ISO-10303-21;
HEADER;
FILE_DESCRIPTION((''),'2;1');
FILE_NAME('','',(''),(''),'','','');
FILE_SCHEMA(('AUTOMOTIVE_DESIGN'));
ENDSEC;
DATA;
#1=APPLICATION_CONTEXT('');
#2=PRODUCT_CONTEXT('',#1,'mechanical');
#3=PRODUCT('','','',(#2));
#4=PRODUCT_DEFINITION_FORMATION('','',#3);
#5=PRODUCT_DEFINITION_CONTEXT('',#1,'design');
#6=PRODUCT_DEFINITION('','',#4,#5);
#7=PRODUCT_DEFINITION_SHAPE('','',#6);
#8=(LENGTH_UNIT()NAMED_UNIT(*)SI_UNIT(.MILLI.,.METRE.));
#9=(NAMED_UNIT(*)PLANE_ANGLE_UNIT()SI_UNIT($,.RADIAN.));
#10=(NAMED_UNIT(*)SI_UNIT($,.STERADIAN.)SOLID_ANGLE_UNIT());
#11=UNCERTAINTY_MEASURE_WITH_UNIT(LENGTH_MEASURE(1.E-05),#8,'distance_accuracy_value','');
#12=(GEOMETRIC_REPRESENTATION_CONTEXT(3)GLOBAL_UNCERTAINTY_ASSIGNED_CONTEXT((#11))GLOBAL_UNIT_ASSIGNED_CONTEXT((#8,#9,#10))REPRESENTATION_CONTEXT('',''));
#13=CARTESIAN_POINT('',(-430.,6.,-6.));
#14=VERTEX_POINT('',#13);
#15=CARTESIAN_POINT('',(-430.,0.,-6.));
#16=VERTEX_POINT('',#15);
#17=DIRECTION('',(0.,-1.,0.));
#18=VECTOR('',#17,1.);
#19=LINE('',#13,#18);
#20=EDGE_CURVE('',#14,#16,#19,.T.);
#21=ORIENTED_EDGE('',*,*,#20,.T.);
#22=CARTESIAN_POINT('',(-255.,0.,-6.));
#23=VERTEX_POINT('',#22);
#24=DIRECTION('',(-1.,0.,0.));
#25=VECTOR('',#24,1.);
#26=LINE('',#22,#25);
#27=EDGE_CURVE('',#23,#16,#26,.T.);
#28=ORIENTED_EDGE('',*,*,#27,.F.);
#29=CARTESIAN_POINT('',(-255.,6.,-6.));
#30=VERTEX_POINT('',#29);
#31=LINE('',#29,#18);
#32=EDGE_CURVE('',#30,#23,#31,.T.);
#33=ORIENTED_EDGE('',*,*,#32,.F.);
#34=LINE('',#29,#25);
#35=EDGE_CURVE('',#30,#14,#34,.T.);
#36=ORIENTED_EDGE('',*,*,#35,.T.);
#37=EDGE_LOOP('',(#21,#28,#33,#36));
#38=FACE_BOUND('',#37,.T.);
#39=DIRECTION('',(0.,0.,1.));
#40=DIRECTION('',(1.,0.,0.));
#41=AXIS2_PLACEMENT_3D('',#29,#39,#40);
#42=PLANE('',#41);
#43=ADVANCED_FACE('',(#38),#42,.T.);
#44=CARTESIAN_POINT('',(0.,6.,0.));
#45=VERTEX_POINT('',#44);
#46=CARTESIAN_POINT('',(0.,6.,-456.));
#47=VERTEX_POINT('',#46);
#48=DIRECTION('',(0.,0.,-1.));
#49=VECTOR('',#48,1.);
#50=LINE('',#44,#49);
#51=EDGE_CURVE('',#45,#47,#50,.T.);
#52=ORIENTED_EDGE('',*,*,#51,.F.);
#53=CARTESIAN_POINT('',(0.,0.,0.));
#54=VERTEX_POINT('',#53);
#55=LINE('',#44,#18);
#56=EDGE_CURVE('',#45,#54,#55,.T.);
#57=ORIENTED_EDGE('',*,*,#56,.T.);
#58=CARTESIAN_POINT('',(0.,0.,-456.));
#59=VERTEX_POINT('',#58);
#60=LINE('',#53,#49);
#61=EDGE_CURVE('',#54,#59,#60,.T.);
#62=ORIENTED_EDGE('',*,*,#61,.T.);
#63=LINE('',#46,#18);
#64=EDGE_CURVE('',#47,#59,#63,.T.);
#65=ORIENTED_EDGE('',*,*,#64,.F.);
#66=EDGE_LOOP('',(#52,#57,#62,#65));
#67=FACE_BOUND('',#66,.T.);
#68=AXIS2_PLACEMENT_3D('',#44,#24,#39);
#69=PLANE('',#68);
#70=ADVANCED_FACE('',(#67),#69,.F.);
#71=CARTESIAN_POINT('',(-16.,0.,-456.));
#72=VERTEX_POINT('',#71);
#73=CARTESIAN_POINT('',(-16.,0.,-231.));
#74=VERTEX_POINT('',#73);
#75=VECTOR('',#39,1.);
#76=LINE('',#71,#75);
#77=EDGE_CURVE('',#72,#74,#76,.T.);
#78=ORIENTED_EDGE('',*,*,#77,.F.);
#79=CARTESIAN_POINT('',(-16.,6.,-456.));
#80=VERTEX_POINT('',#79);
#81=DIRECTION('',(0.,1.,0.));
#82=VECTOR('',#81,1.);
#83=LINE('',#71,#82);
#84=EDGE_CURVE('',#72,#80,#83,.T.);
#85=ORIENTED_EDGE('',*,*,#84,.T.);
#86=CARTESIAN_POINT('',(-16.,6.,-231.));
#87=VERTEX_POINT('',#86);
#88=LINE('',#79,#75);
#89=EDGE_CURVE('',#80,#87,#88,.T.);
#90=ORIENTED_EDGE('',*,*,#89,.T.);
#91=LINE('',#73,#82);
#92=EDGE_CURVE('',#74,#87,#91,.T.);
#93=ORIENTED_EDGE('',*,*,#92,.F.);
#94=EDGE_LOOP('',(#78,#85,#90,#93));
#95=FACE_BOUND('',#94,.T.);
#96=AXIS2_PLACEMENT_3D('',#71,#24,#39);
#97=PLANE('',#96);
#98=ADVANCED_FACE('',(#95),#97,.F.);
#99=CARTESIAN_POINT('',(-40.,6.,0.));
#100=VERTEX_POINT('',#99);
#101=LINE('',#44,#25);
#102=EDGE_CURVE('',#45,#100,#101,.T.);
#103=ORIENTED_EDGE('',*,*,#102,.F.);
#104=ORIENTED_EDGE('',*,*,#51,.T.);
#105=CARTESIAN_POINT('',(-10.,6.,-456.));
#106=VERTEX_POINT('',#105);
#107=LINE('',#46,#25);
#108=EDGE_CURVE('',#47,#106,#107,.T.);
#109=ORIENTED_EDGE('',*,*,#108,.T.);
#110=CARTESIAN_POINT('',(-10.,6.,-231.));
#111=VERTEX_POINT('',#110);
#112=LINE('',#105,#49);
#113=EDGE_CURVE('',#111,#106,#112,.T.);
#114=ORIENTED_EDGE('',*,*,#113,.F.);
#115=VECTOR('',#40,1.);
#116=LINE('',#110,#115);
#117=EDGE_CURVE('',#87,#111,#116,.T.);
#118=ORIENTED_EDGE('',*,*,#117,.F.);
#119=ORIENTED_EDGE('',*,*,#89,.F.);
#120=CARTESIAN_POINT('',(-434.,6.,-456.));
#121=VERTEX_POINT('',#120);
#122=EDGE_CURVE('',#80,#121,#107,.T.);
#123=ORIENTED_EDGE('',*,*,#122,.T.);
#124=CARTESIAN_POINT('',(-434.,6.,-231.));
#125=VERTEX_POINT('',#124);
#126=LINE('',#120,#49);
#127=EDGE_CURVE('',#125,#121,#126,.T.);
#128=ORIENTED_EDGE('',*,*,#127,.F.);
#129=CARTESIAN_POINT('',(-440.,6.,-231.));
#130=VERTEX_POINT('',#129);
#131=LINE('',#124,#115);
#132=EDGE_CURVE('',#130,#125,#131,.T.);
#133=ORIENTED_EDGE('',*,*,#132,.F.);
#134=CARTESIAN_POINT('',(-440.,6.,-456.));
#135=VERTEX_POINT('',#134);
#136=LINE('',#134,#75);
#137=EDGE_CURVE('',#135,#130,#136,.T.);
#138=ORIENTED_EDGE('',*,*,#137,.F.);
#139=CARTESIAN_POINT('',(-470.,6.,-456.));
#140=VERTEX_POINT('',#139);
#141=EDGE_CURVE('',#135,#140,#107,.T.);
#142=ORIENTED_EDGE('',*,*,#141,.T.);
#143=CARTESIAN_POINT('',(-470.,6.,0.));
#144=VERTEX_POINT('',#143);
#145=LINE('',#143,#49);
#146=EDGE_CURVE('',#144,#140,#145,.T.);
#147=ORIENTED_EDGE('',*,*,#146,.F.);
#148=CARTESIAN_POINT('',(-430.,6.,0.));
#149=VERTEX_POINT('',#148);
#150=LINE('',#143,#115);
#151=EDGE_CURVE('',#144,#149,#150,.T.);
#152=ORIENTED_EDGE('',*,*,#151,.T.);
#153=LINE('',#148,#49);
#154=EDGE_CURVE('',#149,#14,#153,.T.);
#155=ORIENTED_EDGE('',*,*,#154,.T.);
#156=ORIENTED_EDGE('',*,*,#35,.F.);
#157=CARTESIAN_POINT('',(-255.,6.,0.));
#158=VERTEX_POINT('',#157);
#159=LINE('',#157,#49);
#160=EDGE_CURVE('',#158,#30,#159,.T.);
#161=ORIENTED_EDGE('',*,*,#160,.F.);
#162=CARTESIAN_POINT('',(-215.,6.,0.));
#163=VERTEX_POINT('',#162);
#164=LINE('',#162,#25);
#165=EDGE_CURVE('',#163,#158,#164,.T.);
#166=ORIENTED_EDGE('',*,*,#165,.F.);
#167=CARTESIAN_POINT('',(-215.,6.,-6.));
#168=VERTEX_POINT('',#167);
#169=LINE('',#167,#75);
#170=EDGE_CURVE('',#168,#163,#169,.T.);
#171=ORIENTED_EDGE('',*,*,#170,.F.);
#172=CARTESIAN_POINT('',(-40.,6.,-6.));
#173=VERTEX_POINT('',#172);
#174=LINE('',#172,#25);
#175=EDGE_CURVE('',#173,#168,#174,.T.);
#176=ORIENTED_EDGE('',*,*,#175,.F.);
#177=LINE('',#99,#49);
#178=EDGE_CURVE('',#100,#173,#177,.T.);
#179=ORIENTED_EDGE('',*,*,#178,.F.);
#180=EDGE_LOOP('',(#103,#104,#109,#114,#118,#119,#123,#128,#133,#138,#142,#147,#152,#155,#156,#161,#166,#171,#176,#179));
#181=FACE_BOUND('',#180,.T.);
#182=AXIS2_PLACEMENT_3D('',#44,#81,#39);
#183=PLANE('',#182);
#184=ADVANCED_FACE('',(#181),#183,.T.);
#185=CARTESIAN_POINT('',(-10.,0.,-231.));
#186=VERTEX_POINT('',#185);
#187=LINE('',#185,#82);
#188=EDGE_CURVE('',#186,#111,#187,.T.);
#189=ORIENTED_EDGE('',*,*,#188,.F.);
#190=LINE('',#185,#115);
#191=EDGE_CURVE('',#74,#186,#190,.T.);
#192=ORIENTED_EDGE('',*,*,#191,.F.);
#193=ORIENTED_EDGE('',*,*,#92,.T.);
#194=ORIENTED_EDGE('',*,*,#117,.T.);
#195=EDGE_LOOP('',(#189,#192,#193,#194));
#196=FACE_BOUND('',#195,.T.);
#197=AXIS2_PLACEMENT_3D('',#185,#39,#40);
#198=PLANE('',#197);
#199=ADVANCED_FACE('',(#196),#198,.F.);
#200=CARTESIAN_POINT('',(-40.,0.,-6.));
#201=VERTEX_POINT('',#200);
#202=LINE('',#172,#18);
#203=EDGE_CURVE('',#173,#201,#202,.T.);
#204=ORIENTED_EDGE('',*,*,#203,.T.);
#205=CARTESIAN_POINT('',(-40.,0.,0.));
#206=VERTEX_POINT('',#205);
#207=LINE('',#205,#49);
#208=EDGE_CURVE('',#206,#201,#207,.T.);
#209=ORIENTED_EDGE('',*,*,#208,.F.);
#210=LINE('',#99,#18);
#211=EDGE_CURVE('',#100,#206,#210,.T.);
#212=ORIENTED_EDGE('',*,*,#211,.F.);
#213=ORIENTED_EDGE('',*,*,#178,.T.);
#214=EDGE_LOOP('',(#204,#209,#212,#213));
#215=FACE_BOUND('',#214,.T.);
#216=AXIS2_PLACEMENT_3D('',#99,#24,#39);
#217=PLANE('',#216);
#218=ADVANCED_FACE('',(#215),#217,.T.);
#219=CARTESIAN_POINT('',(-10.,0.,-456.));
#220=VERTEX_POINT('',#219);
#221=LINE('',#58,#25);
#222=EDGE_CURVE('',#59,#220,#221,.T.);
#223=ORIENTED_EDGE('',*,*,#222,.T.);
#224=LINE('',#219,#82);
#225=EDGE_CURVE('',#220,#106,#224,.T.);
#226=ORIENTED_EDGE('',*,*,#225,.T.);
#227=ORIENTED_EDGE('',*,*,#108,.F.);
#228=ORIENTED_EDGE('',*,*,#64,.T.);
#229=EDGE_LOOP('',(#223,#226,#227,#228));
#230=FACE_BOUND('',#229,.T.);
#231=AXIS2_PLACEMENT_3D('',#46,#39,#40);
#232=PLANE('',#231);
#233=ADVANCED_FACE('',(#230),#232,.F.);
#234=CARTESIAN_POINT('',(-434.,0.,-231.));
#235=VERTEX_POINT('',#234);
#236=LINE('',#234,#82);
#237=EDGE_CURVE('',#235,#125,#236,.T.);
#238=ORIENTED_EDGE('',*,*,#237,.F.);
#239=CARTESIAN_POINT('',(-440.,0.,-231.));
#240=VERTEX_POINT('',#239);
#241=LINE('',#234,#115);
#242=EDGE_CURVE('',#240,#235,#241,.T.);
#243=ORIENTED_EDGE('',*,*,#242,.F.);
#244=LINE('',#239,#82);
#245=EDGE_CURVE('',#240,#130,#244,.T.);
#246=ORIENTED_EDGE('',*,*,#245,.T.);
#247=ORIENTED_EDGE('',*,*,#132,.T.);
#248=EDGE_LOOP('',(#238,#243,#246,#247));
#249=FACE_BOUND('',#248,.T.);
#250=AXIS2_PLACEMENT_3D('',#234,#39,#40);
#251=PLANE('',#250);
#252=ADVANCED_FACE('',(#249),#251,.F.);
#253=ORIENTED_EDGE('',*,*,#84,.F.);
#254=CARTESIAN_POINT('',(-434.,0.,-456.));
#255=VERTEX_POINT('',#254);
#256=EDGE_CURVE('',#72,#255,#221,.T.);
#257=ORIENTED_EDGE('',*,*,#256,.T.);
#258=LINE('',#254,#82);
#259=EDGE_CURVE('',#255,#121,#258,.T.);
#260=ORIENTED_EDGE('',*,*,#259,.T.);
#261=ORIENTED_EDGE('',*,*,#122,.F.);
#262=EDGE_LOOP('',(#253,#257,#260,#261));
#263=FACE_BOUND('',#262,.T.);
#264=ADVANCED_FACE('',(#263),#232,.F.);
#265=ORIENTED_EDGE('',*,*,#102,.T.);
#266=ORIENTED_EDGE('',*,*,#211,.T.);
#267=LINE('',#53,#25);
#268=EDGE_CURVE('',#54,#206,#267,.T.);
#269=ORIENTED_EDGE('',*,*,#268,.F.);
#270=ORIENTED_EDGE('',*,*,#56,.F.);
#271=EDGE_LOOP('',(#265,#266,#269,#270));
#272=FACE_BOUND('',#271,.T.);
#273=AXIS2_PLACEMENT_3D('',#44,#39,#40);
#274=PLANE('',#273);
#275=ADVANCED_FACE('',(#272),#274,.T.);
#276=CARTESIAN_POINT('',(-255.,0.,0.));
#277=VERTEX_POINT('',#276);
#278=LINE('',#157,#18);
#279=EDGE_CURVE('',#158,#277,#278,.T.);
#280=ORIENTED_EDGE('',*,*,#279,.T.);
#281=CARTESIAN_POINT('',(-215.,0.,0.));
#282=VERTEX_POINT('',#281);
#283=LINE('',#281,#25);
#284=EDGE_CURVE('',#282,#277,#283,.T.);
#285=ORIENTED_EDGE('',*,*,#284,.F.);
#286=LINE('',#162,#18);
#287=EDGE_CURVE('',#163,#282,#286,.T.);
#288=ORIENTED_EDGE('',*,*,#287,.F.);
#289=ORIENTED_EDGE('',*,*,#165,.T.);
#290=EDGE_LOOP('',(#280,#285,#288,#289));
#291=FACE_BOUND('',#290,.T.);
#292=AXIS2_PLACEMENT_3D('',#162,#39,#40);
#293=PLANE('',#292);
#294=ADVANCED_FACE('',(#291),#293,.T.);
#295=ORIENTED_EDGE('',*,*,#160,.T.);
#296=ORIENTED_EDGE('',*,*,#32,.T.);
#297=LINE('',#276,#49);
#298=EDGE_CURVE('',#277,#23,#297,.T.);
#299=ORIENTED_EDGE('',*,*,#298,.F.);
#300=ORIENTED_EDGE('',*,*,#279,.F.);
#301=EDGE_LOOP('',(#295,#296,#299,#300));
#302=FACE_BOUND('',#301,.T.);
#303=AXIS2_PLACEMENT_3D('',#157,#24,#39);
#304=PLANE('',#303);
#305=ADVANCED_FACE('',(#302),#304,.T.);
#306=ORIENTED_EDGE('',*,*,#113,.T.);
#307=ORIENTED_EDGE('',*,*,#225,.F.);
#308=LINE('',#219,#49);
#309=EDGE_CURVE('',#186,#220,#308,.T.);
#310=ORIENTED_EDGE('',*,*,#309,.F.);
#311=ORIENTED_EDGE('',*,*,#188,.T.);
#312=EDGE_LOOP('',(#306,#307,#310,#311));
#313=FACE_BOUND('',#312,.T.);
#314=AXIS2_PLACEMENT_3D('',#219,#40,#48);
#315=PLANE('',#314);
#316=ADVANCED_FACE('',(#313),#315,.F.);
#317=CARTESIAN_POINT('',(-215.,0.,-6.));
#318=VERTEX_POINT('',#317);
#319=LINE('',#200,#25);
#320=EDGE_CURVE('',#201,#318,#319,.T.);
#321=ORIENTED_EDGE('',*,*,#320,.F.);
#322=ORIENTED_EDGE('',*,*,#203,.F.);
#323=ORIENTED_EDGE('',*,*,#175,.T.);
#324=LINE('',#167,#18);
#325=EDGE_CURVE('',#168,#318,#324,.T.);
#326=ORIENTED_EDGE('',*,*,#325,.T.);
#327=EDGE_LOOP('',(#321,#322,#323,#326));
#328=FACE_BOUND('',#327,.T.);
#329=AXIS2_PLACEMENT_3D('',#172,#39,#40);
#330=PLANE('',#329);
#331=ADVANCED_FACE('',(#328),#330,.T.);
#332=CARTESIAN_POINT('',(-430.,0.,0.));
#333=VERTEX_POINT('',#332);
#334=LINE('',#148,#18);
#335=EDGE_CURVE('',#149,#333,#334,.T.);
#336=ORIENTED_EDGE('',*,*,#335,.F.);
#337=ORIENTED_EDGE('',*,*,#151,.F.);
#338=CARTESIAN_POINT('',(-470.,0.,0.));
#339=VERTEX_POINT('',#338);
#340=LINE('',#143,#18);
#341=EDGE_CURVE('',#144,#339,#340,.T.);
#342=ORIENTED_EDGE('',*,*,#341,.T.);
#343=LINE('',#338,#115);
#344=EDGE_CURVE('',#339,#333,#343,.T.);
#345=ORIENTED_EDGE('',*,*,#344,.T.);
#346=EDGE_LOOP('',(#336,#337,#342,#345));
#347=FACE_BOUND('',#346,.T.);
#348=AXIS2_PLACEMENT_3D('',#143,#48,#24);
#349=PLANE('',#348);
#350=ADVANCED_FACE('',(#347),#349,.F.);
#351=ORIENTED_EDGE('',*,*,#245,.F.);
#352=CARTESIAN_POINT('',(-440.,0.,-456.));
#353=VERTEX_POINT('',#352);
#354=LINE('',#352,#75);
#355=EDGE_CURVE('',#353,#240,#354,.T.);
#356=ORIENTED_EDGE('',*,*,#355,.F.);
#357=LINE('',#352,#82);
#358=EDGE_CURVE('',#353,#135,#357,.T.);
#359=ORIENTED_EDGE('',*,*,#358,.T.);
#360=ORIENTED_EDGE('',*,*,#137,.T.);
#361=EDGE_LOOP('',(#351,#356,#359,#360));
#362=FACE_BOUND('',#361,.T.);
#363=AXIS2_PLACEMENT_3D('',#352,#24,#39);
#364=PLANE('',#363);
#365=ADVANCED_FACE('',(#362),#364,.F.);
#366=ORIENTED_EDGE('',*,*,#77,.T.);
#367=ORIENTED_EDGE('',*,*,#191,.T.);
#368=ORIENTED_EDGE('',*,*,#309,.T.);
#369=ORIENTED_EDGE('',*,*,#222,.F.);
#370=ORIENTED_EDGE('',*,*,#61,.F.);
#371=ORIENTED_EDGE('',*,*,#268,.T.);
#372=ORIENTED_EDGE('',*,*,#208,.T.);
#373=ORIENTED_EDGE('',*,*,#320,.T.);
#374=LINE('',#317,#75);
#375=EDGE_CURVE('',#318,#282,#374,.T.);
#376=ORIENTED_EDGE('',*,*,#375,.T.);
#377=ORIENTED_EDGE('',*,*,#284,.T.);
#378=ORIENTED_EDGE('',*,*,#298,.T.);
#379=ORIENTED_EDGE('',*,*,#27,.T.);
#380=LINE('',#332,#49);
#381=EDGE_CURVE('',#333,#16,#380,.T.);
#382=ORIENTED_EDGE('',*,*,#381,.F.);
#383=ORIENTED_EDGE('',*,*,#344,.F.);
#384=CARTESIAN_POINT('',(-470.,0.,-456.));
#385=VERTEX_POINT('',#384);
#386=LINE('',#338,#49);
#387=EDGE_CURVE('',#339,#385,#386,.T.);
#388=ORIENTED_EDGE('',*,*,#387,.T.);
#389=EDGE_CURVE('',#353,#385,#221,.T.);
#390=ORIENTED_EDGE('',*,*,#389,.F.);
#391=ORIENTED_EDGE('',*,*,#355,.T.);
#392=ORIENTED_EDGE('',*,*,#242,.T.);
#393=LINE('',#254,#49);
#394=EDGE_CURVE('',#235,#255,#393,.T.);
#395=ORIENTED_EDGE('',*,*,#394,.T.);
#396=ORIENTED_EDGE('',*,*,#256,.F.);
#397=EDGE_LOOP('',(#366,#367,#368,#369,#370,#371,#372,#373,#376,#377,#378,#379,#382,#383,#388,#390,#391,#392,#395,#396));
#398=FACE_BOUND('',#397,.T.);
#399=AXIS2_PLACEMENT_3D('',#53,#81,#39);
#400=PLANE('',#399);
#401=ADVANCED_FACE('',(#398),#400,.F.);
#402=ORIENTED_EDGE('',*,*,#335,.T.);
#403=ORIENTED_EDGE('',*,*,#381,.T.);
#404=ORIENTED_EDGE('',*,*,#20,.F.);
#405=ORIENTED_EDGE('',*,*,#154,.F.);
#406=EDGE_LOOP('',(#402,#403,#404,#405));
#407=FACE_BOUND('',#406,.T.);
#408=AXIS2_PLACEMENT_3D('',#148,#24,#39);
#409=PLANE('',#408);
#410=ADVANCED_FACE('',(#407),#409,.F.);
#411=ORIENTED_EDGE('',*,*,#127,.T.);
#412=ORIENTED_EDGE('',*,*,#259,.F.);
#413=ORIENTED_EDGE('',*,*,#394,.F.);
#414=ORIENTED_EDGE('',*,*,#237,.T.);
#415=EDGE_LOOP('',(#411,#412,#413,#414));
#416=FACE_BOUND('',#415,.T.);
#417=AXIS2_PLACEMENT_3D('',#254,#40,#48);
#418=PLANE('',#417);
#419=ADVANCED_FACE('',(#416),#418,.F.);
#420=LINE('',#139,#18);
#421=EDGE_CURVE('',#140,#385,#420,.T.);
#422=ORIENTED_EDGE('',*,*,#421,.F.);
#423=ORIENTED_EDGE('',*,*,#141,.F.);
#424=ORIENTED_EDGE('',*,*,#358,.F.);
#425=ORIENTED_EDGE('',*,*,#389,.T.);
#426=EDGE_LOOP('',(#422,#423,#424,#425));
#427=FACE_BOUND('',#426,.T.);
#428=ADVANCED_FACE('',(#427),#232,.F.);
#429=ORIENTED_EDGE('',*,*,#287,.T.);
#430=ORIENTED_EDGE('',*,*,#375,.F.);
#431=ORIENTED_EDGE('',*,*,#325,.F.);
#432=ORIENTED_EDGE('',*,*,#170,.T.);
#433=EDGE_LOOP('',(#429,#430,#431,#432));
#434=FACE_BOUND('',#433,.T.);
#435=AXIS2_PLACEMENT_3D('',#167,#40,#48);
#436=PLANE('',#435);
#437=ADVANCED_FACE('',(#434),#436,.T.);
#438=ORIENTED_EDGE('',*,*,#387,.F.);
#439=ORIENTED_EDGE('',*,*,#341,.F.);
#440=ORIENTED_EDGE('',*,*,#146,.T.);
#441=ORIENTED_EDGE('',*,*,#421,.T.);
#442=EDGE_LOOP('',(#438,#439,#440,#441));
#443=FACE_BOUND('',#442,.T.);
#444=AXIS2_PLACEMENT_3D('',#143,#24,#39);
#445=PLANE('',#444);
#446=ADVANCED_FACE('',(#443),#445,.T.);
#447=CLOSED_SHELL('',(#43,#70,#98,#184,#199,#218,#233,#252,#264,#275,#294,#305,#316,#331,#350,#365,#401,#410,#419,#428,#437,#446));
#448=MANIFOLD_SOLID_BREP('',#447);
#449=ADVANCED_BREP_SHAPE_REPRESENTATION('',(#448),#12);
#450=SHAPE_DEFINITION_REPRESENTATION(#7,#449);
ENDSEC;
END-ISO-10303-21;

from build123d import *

# Parameters (mm, degrees)
BOSS_EXTRUDE1_DEPTH = 6
SKETCH2_W           = 6
SKETCH2_H           = 225
CUT_EXTRUDE1_DEPTH  = 6
LPATTERN1_COUNT     = 2
LPATTERN1_PITCH     = 424


with BuildPart() as part:
    # Sketch1 → Boss-Extrude1 (new body)
    with BuildSketch(Plane(origin=(0, 0, 0), x_dir=(1, 0, 0), z_dir=(0, 1, 0))):
        Polygon((-470, 0), (-430, 0), (-430, 6), (-255, 6), (-255, 0), (-215, 0), (-215, 6), (-40, 6), (-40, 0), (0, 0), (0, 456), (-470, 456), align=None)
    extrude(amount=BOSS_EXTRUDE1_DEPTH)

    # Sketch2 → Cut-Extrude1 (cut)
    with BuildSketch(Plane(origin=(0, 6, 0), x_dir=(1, 0, 0), z_dir=(0, 1, 0))):
        with Locations((-13, 343.5)):
            Rectangle(SKETCH2_W, SKETCH2_H)
    cut_extrude1 = extrude(amount=-CUT_EXTRUDE1_DEPTH, mode=Mode.SUBTRACT)

    # LPattern1: Cut-Extrude1 ×2
    with Locations(*[(-i * LPATTERN1_PITCH, 0, 0) for i in range(1, LPATTERN1_COUNT)]):
        add(cut_extrude1, mode=Mode.SUBTRACT)


solid = part.part
